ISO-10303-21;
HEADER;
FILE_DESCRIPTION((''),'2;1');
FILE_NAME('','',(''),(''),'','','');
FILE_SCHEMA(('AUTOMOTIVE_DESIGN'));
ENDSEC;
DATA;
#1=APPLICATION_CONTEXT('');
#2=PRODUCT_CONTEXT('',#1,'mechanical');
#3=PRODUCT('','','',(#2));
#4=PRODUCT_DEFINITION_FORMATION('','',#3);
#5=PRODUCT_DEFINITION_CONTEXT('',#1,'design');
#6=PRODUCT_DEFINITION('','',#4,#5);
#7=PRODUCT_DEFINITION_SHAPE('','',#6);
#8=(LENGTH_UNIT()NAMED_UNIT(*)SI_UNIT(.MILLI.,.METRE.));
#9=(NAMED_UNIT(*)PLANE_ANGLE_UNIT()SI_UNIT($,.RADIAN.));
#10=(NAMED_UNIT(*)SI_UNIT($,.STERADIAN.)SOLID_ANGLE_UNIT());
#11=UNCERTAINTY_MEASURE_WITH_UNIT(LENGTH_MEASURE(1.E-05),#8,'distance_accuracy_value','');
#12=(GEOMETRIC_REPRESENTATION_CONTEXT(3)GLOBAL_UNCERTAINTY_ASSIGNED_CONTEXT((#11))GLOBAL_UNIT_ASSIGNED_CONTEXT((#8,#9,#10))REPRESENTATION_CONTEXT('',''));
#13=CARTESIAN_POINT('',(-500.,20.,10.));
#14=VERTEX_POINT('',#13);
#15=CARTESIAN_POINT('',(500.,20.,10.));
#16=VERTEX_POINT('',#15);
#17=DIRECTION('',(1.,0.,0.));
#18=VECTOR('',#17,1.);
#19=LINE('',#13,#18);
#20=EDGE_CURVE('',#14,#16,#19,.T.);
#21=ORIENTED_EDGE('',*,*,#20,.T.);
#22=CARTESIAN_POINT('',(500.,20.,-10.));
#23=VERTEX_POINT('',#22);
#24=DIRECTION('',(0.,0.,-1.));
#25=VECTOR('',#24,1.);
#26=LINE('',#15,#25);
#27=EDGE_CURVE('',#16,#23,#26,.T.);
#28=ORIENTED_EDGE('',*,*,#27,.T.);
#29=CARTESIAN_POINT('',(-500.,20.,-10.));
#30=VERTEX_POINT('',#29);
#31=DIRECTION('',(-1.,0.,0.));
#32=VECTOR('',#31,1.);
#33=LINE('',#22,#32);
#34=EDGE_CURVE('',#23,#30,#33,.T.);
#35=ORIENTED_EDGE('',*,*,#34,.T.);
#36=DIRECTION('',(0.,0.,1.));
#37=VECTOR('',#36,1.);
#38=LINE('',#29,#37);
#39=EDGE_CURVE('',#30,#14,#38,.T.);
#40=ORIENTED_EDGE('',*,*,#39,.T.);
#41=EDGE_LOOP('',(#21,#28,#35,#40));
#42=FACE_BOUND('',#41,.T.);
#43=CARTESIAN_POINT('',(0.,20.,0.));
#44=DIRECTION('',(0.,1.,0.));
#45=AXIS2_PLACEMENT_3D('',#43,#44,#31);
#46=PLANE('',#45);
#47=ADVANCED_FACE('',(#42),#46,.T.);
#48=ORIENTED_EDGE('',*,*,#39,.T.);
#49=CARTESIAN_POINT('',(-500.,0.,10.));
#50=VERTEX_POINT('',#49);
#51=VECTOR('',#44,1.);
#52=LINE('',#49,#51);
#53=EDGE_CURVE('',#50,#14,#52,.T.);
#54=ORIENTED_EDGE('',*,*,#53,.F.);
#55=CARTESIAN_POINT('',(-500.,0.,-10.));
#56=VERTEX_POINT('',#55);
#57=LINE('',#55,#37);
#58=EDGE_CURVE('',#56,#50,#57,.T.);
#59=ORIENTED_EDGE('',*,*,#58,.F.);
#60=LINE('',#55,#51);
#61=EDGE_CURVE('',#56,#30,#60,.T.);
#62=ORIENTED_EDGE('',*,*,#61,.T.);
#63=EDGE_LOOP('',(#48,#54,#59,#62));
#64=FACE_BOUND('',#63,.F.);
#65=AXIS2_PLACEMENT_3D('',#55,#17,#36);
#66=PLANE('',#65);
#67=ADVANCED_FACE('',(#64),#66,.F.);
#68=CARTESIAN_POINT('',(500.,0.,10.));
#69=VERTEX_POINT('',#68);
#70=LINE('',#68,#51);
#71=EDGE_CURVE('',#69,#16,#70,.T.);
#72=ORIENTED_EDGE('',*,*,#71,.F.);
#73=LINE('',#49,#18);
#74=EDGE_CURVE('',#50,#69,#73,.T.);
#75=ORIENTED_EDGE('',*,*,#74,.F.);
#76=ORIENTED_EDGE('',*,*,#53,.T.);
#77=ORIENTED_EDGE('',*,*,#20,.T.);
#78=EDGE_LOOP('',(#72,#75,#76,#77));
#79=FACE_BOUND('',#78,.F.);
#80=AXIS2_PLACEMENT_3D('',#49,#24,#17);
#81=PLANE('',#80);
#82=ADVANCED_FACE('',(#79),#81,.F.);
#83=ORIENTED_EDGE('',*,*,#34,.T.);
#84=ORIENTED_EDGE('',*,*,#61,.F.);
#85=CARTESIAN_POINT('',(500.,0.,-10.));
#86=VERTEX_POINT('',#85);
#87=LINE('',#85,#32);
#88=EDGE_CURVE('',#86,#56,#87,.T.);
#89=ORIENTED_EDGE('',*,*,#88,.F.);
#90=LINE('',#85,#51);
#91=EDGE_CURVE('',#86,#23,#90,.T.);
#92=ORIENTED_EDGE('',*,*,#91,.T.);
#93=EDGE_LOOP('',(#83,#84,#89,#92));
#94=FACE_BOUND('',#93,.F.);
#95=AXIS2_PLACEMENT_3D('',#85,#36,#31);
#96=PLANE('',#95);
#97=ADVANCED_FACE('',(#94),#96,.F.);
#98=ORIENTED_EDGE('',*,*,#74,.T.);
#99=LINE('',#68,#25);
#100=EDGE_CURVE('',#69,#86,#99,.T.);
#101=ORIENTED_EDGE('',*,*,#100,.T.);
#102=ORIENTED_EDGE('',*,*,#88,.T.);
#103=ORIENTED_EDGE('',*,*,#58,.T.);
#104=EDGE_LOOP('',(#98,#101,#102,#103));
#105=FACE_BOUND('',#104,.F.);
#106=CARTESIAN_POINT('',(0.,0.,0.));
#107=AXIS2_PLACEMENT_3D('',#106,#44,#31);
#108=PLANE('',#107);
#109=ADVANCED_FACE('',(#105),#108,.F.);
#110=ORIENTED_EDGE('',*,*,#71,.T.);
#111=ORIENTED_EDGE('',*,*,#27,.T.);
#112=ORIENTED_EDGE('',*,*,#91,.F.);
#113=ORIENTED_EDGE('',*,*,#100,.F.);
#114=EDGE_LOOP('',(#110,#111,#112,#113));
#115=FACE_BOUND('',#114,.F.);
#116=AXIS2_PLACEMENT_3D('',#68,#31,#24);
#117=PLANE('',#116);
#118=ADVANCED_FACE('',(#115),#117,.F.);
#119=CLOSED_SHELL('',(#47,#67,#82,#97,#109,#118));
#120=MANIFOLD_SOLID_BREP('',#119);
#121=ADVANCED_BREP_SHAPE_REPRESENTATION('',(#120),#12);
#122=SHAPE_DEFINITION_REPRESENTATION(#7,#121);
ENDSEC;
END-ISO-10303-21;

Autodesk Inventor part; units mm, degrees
ref_plane "YZ Plane" through (0, 0, 0) normal (1, 0, 0) x (0, 1, 0)
ref_plane "XZ Plane" through (0, 0, 0) normal (0, 1, 0) x (-1, 0, 0)
ref_plane "XY Plane" through (0, 0, 0) normal (0, 0, 1) x (1, 0, 0)
sketch "Schizzo1" plane through (0, 0, 0) normal (0, 1, 0) x (-1, 0, 0)
  line L0 (-500, -10) -> (500, -10)
  line L1 (500, -10) -> (500, 10)
  line L2 (500, 10) -> (-500, 10)
  line L3 (-500, 10) -> (-500, -10)
  line L4 (-500, -10) -> (500, 10) construction
  line L5 (500, -10) -> (-500, 10) construction
  point P0 (0, 0)
  dimension "d0" = 1000
  dimension "d1" = 20
extrude "Estrusione1" add sketch "Schizzo1" along normal blind 20
equation "\"RaggioPiega\" = Spessore"
equation "\"LarghezzaScaricoPiega\" = Spessore"
equation "\"ProfonditàScaricoPiega\" = 0.5 * Spessore"
equation "\"DimensioniScaricoAngolo\" = 4 * Spessore"
equation "\"ResiduoMinimo\" = 2 * Spessore"
equation "\"RaggioTransizione\" = RaggioPiega"
equation "\"Dimensione_raggio_Jacobi\" = RaggioPiega"
equation "\"DimensioneGioco\" = Spessore"
equation "\"Spessore\" = 0.5"
properties part number "Lama"
